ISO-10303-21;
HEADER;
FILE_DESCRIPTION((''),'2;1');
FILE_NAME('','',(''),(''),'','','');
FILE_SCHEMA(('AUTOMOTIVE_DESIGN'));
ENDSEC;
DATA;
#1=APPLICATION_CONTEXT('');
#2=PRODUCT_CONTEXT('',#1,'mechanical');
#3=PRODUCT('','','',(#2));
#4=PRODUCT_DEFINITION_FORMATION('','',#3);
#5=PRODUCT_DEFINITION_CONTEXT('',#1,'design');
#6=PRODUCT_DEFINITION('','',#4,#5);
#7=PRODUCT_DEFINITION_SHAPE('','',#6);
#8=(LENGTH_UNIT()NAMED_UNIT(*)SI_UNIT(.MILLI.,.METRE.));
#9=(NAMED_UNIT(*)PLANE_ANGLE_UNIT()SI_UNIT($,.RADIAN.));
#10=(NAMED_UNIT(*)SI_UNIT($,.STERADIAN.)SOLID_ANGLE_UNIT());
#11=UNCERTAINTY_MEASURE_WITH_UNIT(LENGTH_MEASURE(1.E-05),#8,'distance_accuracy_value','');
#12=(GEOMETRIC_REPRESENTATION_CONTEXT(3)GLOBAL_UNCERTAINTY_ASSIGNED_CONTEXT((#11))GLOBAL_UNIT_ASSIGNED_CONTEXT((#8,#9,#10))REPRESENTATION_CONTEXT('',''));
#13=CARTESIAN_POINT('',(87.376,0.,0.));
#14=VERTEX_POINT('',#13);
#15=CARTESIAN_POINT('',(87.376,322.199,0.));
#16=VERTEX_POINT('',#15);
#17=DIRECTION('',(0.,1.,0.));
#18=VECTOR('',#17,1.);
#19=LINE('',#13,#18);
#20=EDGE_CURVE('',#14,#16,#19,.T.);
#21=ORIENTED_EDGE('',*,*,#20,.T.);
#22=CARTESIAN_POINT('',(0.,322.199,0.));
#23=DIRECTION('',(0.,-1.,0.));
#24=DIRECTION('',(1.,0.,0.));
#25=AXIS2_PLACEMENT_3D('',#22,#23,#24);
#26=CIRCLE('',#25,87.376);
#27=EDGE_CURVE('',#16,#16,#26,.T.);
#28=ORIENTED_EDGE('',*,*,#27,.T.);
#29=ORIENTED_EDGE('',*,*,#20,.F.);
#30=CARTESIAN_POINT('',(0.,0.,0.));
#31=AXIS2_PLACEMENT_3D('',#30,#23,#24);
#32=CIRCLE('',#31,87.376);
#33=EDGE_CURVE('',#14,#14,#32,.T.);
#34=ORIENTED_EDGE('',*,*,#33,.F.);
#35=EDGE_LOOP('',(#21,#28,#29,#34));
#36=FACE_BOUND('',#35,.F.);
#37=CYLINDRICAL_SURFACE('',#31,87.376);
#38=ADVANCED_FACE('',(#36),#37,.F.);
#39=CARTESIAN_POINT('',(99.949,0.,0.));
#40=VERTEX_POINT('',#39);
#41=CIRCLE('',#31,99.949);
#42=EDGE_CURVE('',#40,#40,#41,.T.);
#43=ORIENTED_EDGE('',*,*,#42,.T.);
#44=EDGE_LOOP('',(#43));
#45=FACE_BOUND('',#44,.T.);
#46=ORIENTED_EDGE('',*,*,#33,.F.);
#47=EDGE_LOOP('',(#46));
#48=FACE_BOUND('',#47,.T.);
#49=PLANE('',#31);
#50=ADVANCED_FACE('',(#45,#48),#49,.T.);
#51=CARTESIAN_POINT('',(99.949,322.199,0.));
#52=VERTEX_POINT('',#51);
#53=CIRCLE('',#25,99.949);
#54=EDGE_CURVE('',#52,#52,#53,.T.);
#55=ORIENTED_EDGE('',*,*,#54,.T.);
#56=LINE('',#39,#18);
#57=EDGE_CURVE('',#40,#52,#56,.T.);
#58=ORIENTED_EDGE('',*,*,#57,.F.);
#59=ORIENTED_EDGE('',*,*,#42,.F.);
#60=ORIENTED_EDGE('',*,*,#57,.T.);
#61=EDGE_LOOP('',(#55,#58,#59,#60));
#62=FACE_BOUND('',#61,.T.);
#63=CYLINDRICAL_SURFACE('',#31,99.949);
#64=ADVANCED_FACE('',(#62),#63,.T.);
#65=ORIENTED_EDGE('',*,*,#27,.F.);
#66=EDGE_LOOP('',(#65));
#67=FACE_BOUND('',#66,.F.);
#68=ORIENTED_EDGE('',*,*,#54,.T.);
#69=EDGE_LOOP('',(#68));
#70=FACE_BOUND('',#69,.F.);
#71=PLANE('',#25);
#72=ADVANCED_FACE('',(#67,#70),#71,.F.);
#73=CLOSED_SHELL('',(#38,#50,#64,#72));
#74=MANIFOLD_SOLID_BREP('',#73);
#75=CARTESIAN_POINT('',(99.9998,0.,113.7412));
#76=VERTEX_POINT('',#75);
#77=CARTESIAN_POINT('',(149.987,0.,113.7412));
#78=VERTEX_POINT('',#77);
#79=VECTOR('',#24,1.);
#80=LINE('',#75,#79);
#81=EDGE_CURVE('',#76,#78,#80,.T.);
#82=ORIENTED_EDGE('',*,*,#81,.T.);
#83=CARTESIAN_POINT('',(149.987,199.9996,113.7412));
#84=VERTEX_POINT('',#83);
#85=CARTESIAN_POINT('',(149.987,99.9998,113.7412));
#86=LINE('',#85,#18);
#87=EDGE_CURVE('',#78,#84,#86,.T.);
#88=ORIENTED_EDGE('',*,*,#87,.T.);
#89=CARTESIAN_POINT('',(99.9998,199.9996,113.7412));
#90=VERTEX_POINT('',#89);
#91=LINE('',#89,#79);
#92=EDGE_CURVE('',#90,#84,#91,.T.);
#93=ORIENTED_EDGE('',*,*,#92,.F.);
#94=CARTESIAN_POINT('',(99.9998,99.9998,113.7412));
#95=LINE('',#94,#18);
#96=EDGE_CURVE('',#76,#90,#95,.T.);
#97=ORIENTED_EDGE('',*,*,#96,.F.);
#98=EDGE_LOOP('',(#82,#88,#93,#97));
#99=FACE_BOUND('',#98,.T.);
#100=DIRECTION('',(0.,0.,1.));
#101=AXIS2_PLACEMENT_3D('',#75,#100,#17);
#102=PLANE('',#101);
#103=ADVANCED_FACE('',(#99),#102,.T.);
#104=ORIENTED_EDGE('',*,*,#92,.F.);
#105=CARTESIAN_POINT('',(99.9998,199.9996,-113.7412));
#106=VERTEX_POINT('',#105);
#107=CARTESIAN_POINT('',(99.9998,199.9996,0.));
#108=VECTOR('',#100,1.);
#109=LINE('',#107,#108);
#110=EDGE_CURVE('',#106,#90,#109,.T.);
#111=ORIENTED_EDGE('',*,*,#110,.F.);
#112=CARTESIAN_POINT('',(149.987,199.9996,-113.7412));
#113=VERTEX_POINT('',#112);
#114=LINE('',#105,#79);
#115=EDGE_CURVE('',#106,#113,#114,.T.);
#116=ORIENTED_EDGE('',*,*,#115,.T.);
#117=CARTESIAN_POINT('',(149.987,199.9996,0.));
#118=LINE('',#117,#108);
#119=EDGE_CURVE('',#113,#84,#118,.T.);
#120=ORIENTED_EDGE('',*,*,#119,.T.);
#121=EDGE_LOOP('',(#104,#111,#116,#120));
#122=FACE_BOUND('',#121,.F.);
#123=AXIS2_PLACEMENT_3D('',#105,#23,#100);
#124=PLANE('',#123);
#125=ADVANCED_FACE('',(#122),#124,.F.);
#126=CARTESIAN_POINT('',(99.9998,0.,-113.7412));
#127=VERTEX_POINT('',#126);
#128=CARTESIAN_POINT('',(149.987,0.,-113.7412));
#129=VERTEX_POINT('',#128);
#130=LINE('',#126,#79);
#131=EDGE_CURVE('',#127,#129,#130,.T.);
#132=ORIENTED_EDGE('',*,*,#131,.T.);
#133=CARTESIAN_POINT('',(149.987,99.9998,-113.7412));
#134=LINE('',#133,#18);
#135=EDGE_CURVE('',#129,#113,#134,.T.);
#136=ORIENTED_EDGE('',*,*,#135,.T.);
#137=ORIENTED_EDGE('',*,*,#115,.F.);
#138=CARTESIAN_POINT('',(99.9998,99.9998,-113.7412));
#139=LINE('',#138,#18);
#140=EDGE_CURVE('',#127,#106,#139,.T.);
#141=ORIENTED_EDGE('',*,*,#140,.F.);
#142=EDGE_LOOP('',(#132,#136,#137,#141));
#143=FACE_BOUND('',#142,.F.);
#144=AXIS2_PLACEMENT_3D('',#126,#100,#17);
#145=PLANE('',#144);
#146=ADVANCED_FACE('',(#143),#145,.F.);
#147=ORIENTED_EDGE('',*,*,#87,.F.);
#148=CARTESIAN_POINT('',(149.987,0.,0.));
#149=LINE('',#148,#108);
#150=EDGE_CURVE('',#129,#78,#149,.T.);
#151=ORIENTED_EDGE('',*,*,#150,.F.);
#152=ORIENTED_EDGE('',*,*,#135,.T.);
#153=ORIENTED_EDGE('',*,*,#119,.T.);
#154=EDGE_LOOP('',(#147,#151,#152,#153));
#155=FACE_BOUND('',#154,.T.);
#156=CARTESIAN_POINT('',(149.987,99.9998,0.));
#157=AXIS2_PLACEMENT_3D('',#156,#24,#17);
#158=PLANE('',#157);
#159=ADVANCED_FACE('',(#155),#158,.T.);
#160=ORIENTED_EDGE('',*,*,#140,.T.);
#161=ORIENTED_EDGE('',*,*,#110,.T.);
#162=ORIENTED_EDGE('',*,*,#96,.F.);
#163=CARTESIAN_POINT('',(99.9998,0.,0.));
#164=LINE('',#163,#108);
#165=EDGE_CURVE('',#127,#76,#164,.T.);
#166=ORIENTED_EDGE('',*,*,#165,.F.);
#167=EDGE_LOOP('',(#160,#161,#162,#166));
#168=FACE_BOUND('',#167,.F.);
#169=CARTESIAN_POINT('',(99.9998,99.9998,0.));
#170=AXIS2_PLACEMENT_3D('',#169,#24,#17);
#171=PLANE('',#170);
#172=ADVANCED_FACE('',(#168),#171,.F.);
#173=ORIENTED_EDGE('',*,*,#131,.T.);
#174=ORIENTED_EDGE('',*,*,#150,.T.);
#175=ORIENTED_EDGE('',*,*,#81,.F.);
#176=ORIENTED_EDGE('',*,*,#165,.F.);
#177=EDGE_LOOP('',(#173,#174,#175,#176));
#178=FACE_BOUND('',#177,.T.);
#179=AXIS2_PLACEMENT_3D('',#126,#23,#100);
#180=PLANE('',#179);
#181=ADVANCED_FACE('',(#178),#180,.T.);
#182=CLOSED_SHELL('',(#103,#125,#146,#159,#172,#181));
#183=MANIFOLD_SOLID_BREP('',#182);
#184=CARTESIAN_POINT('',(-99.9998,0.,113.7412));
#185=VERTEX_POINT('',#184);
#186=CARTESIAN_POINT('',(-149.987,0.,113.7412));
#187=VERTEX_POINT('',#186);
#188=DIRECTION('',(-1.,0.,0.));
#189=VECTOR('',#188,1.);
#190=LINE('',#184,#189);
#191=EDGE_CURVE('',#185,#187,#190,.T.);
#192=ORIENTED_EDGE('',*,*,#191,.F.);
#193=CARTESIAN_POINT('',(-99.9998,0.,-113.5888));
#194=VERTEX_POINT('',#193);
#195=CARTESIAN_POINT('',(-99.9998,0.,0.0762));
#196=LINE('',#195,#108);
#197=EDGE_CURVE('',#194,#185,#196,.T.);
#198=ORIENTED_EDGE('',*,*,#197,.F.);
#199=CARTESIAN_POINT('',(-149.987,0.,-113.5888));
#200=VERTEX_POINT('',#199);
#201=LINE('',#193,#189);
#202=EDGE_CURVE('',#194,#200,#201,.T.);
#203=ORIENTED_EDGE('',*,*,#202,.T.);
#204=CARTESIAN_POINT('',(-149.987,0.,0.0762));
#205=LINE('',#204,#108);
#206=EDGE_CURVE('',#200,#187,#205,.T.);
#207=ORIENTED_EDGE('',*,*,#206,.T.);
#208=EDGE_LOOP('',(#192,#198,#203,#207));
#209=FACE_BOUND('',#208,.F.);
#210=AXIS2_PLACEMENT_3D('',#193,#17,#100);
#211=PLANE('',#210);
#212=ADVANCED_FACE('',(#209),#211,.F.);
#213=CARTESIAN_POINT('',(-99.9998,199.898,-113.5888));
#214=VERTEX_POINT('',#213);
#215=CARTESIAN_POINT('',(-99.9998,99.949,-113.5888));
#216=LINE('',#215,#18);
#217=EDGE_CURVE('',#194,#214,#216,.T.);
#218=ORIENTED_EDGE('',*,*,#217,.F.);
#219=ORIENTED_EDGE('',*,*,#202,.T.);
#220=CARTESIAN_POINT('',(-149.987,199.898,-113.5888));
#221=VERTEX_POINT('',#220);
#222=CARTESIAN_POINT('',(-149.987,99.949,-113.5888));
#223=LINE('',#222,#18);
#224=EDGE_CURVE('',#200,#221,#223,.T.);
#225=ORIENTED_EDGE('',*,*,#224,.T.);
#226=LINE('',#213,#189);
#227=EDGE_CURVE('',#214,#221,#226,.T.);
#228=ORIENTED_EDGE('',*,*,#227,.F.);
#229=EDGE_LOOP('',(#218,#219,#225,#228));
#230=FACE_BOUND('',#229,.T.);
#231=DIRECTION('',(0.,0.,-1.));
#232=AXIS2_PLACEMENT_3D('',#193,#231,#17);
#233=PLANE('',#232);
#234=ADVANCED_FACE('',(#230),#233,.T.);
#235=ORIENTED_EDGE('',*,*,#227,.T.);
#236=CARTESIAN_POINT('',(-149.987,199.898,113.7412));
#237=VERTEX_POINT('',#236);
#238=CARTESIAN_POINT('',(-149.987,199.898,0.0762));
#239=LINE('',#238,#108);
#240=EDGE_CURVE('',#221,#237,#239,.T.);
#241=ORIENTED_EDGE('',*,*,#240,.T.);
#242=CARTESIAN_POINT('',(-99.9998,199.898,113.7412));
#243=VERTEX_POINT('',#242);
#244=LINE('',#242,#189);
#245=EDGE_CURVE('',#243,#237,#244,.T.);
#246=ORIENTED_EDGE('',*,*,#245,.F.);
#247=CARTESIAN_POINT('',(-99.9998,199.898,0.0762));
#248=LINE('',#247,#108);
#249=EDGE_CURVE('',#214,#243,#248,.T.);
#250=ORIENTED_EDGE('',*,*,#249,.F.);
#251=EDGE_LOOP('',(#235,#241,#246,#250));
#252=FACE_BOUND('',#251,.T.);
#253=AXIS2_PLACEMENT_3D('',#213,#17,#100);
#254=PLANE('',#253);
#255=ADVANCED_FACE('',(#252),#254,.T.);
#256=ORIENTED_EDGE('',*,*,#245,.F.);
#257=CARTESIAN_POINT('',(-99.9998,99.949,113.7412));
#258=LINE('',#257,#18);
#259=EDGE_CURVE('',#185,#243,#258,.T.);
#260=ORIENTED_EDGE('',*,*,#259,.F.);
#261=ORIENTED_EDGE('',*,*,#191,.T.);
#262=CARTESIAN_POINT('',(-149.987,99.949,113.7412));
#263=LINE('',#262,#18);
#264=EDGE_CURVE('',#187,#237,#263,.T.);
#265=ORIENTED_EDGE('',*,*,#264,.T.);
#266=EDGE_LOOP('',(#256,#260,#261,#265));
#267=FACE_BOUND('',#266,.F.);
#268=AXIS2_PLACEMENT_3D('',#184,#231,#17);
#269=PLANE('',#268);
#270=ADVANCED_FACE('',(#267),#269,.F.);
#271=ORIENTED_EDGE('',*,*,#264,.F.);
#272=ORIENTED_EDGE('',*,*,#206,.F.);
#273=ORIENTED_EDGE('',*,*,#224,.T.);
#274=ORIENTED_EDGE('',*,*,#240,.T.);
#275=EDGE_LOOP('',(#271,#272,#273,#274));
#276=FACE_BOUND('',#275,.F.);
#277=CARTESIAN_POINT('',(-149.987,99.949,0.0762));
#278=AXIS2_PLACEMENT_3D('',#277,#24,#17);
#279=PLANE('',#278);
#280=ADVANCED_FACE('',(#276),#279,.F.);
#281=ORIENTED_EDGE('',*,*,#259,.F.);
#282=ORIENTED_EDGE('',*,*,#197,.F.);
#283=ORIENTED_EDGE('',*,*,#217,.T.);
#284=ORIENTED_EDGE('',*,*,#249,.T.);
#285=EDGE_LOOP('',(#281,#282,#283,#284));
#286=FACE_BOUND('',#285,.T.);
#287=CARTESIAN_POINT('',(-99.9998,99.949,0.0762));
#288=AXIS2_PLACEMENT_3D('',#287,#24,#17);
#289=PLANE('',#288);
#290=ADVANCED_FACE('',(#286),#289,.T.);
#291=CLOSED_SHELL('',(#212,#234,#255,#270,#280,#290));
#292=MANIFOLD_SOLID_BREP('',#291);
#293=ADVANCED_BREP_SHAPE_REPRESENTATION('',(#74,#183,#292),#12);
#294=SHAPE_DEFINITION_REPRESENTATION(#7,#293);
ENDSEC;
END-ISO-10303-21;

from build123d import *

# Parameters (mm, degrees)
F0_R     = 99.949
F1_DEPTH = 322.199
F3_W     = 199.9996
F3_H     = 227.4824
F4_DEPTH = 49.9872
F6_W     = 199.898
F6_H     = 227.33
F7_DEPTH = 49.9872
F8_R     = 87.376
F9_DEPTH = 322.199


with BuildPart() as f1:
    # F0 (on Front) → F1 (new body)
    with BuildSketch(Plane.XZ):
        Circle(F0_R)
    extrude(amount=-F1_DEPTH)

    # F8 (on Front) → F9 (cut, through all)
    with BuildSketch(Plane.XZ):
        Circle(F8_R)
    extrude(amount=-F9_DEPTH, mode=Mode.SUBTRACT)


with BuildPart() as f4:
    # F3 (on offset) → F4 (new body)
    with BuildSketch(Plane.YZ.offset(99.9998)):
        with Locations((99.9998, 0)):
            Rectangle(F3_W, F3_H)
    extrude(amount=F4_DEPTH)


with BuildPart() as f7:
    # F6 (on offset) → F7 (new body)
    with BuildSketch(Plane.YZ.offset(-99.9998)):
        with Locations((99.949, 0.0762)):
            Rectangle(F6_W, F6_H)
    extrude(amount=-F7_DEPTH)


solid = Compound([f1.part, f4.part, f7.part])
